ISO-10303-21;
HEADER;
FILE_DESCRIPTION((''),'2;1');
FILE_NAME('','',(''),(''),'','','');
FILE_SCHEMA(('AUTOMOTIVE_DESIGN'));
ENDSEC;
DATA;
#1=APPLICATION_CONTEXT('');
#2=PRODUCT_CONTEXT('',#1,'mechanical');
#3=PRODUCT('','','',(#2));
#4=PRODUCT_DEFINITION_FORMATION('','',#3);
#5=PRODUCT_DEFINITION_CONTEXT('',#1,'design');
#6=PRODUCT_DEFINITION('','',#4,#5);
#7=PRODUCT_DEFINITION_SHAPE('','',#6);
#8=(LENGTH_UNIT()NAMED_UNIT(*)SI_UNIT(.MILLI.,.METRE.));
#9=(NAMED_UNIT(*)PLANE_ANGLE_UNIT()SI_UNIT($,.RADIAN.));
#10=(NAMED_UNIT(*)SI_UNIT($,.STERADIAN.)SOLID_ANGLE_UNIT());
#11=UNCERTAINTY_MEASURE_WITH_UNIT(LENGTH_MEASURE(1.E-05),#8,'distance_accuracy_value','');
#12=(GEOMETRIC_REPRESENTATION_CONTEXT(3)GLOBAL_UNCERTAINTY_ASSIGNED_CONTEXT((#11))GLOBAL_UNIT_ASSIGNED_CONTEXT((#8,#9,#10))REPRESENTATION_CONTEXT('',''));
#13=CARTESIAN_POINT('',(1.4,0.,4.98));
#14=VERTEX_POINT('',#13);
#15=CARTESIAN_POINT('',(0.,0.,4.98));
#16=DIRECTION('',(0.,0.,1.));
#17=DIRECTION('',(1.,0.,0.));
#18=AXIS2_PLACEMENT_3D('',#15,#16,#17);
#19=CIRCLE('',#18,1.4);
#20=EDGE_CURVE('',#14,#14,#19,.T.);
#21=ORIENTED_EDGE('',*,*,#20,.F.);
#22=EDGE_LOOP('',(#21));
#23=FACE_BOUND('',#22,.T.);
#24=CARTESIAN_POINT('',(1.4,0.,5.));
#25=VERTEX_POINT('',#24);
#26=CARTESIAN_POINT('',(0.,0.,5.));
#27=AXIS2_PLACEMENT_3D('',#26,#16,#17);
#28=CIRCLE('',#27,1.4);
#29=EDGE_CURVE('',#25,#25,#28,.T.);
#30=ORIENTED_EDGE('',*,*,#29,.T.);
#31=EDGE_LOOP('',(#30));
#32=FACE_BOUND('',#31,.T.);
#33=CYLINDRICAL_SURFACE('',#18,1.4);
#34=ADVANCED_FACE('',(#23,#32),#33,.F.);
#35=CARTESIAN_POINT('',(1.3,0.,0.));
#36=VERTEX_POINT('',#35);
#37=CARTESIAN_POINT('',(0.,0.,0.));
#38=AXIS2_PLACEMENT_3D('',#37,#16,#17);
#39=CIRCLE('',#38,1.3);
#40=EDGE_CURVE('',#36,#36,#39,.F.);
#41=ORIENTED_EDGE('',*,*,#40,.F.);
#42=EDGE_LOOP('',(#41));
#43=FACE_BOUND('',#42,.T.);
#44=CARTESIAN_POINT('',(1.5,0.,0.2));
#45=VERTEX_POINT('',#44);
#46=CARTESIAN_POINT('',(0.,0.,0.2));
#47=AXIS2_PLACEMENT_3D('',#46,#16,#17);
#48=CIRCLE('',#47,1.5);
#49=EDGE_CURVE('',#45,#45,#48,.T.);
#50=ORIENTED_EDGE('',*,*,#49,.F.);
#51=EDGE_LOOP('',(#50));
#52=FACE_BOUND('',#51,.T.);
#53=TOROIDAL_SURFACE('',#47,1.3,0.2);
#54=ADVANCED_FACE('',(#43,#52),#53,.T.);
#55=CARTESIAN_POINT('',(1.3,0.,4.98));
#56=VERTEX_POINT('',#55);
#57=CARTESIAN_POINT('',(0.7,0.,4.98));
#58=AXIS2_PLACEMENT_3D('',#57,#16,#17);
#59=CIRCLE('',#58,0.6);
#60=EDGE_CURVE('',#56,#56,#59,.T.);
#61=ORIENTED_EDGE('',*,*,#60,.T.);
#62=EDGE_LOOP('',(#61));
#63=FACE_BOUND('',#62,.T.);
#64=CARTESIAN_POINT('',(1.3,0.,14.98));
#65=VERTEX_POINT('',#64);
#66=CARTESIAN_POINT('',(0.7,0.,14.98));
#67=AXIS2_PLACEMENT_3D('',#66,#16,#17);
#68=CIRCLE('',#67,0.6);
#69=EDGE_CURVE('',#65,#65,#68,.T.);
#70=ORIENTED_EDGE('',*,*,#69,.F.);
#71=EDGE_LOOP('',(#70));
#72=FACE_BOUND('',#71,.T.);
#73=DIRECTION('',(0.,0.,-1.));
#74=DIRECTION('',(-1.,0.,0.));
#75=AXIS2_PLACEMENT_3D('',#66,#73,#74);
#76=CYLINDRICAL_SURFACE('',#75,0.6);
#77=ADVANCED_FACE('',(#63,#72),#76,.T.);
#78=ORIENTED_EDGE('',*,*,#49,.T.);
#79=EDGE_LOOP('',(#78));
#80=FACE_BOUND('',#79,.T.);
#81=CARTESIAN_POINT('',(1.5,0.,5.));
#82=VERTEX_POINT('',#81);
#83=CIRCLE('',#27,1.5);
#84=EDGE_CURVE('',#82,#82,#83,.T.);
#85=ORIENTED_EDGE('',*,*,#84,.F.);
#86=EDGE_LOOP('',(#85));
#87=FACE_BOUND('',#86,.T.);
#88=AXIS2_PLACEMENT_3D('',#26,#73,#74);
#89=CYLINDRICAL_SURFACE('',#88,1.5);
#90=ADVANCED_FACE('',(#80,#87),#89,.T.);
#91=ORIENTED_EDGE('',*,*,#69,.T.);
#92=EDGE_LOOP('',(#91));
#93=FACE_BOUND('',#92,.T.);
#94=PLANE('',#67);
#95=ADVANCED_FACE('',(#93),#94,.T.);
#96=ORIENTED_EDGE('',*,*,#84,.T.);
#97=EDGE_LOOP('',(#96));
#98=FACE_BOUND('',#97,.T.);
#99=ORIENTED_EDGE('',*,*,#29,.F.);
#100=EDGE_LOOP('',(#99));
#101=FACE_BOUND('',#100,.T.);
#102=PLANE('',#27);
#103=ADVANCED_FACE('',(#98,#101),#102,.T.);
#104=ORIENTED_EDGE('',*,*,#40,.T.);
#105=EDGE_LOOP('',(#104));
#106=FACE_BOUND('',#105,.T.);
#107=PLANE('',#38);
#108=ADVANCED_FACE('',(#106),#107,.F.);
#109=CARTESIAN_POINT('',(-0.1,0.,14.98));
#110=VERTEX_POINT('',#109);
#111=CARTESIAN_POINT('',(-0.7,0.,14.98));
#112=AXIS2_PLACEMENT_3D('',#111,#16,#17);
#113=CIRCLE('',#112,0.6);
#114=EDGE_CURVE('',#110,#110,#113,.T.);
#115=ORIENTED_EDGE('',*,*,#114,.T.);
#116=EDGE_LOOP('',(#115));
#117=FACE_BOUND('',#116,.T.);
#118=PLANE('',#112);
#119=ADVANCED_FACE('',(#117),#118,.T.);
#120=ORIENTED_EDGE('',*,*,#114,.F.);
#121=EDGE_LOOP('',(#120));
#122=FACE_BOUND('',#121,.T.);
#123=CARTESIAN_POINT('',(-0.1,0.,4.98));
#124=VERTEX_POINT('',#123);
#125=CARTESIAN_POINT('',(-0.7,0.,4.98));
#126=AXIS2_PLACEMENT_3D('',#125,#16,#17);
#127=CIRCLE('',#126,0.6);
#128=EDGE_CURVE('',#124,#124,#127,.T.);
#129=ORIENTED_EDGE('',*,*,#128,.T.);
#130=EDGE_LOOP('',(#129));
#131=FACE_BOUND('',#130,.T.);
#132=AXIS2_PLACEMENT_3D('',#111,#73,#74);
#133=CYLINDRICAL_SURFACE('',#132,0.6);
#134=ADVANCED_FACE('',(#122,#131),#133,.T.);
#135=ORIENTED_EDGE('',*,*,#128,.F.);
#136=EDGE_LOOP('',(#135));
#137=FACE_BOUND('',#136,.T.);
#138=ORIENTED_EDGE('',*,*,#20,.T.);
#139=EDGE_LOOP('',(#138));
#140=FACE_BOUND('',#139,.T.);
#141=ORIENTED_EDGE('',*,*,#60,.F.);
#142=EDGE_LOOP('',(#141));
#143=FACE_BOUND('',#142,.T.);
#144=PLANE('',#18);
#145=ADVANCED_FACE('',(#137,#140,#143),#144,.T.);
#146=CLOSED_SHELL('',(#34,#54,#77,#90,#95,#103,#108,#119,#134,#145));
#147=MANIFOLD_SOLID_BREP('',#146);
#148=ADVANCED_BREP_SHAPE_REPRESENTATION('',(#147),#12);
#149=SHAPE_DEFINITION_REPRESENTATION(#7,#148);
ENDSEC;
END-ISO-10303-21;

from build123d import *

# Parameters (mm, degrees)
ESQUISSE1_R             = 1.5
BOSS_EXTRU_1_DEPTH      = 5
CONG_1_R                = 0.2
ESQUISSE2_R             = 1.4
ENL_V_MAT_EXTRU_1_DEPTH = 0.02
ESQUISSE3_R             = 0.6
BOSS_EXTRU_2_DEPTH      = 10


with BuildPart() as part:
    # Esquisse1 → Boss.-Extru.1 (new body)
    with BuildSketch(Plane.XY):
        Circle(ESQUISSE1_R)
    extrude(amount=BOSS_EXTRU_1_DEPTH)

    # Congé1
    cong_1_edges = [part.edges().sort_by_distance(p)[0] for p in [
        (-1.5, 0, 0),
    ]]
    fillet(cong_1_edges, radius=CONG_1_R)

    # Esquisse2 → Enlèv. mat.-Extru.1 (cut)
    with BuildSketch(Plane.XY.offset(5)):
        Circle(ESQUISSE2_R)
    extrude(amount=-ENL_V_MAT_EXTRU_1_DEPTH, mode=Mode.SUBTRACT)

    # Esquisse3 → Boss.-Extru.2 (add)
    with BuildSketch(Plane.XY.offset(4.98)):
        with Locations((-0.7, 0)):
            Circle(ESQUISSE3_R)
        with Locations((0.7, 0)):
            Circle(ESQUISSE3_R)
    extrude(amount=BOSS_EXTRU_2_DEPTH)


solid = part.part
